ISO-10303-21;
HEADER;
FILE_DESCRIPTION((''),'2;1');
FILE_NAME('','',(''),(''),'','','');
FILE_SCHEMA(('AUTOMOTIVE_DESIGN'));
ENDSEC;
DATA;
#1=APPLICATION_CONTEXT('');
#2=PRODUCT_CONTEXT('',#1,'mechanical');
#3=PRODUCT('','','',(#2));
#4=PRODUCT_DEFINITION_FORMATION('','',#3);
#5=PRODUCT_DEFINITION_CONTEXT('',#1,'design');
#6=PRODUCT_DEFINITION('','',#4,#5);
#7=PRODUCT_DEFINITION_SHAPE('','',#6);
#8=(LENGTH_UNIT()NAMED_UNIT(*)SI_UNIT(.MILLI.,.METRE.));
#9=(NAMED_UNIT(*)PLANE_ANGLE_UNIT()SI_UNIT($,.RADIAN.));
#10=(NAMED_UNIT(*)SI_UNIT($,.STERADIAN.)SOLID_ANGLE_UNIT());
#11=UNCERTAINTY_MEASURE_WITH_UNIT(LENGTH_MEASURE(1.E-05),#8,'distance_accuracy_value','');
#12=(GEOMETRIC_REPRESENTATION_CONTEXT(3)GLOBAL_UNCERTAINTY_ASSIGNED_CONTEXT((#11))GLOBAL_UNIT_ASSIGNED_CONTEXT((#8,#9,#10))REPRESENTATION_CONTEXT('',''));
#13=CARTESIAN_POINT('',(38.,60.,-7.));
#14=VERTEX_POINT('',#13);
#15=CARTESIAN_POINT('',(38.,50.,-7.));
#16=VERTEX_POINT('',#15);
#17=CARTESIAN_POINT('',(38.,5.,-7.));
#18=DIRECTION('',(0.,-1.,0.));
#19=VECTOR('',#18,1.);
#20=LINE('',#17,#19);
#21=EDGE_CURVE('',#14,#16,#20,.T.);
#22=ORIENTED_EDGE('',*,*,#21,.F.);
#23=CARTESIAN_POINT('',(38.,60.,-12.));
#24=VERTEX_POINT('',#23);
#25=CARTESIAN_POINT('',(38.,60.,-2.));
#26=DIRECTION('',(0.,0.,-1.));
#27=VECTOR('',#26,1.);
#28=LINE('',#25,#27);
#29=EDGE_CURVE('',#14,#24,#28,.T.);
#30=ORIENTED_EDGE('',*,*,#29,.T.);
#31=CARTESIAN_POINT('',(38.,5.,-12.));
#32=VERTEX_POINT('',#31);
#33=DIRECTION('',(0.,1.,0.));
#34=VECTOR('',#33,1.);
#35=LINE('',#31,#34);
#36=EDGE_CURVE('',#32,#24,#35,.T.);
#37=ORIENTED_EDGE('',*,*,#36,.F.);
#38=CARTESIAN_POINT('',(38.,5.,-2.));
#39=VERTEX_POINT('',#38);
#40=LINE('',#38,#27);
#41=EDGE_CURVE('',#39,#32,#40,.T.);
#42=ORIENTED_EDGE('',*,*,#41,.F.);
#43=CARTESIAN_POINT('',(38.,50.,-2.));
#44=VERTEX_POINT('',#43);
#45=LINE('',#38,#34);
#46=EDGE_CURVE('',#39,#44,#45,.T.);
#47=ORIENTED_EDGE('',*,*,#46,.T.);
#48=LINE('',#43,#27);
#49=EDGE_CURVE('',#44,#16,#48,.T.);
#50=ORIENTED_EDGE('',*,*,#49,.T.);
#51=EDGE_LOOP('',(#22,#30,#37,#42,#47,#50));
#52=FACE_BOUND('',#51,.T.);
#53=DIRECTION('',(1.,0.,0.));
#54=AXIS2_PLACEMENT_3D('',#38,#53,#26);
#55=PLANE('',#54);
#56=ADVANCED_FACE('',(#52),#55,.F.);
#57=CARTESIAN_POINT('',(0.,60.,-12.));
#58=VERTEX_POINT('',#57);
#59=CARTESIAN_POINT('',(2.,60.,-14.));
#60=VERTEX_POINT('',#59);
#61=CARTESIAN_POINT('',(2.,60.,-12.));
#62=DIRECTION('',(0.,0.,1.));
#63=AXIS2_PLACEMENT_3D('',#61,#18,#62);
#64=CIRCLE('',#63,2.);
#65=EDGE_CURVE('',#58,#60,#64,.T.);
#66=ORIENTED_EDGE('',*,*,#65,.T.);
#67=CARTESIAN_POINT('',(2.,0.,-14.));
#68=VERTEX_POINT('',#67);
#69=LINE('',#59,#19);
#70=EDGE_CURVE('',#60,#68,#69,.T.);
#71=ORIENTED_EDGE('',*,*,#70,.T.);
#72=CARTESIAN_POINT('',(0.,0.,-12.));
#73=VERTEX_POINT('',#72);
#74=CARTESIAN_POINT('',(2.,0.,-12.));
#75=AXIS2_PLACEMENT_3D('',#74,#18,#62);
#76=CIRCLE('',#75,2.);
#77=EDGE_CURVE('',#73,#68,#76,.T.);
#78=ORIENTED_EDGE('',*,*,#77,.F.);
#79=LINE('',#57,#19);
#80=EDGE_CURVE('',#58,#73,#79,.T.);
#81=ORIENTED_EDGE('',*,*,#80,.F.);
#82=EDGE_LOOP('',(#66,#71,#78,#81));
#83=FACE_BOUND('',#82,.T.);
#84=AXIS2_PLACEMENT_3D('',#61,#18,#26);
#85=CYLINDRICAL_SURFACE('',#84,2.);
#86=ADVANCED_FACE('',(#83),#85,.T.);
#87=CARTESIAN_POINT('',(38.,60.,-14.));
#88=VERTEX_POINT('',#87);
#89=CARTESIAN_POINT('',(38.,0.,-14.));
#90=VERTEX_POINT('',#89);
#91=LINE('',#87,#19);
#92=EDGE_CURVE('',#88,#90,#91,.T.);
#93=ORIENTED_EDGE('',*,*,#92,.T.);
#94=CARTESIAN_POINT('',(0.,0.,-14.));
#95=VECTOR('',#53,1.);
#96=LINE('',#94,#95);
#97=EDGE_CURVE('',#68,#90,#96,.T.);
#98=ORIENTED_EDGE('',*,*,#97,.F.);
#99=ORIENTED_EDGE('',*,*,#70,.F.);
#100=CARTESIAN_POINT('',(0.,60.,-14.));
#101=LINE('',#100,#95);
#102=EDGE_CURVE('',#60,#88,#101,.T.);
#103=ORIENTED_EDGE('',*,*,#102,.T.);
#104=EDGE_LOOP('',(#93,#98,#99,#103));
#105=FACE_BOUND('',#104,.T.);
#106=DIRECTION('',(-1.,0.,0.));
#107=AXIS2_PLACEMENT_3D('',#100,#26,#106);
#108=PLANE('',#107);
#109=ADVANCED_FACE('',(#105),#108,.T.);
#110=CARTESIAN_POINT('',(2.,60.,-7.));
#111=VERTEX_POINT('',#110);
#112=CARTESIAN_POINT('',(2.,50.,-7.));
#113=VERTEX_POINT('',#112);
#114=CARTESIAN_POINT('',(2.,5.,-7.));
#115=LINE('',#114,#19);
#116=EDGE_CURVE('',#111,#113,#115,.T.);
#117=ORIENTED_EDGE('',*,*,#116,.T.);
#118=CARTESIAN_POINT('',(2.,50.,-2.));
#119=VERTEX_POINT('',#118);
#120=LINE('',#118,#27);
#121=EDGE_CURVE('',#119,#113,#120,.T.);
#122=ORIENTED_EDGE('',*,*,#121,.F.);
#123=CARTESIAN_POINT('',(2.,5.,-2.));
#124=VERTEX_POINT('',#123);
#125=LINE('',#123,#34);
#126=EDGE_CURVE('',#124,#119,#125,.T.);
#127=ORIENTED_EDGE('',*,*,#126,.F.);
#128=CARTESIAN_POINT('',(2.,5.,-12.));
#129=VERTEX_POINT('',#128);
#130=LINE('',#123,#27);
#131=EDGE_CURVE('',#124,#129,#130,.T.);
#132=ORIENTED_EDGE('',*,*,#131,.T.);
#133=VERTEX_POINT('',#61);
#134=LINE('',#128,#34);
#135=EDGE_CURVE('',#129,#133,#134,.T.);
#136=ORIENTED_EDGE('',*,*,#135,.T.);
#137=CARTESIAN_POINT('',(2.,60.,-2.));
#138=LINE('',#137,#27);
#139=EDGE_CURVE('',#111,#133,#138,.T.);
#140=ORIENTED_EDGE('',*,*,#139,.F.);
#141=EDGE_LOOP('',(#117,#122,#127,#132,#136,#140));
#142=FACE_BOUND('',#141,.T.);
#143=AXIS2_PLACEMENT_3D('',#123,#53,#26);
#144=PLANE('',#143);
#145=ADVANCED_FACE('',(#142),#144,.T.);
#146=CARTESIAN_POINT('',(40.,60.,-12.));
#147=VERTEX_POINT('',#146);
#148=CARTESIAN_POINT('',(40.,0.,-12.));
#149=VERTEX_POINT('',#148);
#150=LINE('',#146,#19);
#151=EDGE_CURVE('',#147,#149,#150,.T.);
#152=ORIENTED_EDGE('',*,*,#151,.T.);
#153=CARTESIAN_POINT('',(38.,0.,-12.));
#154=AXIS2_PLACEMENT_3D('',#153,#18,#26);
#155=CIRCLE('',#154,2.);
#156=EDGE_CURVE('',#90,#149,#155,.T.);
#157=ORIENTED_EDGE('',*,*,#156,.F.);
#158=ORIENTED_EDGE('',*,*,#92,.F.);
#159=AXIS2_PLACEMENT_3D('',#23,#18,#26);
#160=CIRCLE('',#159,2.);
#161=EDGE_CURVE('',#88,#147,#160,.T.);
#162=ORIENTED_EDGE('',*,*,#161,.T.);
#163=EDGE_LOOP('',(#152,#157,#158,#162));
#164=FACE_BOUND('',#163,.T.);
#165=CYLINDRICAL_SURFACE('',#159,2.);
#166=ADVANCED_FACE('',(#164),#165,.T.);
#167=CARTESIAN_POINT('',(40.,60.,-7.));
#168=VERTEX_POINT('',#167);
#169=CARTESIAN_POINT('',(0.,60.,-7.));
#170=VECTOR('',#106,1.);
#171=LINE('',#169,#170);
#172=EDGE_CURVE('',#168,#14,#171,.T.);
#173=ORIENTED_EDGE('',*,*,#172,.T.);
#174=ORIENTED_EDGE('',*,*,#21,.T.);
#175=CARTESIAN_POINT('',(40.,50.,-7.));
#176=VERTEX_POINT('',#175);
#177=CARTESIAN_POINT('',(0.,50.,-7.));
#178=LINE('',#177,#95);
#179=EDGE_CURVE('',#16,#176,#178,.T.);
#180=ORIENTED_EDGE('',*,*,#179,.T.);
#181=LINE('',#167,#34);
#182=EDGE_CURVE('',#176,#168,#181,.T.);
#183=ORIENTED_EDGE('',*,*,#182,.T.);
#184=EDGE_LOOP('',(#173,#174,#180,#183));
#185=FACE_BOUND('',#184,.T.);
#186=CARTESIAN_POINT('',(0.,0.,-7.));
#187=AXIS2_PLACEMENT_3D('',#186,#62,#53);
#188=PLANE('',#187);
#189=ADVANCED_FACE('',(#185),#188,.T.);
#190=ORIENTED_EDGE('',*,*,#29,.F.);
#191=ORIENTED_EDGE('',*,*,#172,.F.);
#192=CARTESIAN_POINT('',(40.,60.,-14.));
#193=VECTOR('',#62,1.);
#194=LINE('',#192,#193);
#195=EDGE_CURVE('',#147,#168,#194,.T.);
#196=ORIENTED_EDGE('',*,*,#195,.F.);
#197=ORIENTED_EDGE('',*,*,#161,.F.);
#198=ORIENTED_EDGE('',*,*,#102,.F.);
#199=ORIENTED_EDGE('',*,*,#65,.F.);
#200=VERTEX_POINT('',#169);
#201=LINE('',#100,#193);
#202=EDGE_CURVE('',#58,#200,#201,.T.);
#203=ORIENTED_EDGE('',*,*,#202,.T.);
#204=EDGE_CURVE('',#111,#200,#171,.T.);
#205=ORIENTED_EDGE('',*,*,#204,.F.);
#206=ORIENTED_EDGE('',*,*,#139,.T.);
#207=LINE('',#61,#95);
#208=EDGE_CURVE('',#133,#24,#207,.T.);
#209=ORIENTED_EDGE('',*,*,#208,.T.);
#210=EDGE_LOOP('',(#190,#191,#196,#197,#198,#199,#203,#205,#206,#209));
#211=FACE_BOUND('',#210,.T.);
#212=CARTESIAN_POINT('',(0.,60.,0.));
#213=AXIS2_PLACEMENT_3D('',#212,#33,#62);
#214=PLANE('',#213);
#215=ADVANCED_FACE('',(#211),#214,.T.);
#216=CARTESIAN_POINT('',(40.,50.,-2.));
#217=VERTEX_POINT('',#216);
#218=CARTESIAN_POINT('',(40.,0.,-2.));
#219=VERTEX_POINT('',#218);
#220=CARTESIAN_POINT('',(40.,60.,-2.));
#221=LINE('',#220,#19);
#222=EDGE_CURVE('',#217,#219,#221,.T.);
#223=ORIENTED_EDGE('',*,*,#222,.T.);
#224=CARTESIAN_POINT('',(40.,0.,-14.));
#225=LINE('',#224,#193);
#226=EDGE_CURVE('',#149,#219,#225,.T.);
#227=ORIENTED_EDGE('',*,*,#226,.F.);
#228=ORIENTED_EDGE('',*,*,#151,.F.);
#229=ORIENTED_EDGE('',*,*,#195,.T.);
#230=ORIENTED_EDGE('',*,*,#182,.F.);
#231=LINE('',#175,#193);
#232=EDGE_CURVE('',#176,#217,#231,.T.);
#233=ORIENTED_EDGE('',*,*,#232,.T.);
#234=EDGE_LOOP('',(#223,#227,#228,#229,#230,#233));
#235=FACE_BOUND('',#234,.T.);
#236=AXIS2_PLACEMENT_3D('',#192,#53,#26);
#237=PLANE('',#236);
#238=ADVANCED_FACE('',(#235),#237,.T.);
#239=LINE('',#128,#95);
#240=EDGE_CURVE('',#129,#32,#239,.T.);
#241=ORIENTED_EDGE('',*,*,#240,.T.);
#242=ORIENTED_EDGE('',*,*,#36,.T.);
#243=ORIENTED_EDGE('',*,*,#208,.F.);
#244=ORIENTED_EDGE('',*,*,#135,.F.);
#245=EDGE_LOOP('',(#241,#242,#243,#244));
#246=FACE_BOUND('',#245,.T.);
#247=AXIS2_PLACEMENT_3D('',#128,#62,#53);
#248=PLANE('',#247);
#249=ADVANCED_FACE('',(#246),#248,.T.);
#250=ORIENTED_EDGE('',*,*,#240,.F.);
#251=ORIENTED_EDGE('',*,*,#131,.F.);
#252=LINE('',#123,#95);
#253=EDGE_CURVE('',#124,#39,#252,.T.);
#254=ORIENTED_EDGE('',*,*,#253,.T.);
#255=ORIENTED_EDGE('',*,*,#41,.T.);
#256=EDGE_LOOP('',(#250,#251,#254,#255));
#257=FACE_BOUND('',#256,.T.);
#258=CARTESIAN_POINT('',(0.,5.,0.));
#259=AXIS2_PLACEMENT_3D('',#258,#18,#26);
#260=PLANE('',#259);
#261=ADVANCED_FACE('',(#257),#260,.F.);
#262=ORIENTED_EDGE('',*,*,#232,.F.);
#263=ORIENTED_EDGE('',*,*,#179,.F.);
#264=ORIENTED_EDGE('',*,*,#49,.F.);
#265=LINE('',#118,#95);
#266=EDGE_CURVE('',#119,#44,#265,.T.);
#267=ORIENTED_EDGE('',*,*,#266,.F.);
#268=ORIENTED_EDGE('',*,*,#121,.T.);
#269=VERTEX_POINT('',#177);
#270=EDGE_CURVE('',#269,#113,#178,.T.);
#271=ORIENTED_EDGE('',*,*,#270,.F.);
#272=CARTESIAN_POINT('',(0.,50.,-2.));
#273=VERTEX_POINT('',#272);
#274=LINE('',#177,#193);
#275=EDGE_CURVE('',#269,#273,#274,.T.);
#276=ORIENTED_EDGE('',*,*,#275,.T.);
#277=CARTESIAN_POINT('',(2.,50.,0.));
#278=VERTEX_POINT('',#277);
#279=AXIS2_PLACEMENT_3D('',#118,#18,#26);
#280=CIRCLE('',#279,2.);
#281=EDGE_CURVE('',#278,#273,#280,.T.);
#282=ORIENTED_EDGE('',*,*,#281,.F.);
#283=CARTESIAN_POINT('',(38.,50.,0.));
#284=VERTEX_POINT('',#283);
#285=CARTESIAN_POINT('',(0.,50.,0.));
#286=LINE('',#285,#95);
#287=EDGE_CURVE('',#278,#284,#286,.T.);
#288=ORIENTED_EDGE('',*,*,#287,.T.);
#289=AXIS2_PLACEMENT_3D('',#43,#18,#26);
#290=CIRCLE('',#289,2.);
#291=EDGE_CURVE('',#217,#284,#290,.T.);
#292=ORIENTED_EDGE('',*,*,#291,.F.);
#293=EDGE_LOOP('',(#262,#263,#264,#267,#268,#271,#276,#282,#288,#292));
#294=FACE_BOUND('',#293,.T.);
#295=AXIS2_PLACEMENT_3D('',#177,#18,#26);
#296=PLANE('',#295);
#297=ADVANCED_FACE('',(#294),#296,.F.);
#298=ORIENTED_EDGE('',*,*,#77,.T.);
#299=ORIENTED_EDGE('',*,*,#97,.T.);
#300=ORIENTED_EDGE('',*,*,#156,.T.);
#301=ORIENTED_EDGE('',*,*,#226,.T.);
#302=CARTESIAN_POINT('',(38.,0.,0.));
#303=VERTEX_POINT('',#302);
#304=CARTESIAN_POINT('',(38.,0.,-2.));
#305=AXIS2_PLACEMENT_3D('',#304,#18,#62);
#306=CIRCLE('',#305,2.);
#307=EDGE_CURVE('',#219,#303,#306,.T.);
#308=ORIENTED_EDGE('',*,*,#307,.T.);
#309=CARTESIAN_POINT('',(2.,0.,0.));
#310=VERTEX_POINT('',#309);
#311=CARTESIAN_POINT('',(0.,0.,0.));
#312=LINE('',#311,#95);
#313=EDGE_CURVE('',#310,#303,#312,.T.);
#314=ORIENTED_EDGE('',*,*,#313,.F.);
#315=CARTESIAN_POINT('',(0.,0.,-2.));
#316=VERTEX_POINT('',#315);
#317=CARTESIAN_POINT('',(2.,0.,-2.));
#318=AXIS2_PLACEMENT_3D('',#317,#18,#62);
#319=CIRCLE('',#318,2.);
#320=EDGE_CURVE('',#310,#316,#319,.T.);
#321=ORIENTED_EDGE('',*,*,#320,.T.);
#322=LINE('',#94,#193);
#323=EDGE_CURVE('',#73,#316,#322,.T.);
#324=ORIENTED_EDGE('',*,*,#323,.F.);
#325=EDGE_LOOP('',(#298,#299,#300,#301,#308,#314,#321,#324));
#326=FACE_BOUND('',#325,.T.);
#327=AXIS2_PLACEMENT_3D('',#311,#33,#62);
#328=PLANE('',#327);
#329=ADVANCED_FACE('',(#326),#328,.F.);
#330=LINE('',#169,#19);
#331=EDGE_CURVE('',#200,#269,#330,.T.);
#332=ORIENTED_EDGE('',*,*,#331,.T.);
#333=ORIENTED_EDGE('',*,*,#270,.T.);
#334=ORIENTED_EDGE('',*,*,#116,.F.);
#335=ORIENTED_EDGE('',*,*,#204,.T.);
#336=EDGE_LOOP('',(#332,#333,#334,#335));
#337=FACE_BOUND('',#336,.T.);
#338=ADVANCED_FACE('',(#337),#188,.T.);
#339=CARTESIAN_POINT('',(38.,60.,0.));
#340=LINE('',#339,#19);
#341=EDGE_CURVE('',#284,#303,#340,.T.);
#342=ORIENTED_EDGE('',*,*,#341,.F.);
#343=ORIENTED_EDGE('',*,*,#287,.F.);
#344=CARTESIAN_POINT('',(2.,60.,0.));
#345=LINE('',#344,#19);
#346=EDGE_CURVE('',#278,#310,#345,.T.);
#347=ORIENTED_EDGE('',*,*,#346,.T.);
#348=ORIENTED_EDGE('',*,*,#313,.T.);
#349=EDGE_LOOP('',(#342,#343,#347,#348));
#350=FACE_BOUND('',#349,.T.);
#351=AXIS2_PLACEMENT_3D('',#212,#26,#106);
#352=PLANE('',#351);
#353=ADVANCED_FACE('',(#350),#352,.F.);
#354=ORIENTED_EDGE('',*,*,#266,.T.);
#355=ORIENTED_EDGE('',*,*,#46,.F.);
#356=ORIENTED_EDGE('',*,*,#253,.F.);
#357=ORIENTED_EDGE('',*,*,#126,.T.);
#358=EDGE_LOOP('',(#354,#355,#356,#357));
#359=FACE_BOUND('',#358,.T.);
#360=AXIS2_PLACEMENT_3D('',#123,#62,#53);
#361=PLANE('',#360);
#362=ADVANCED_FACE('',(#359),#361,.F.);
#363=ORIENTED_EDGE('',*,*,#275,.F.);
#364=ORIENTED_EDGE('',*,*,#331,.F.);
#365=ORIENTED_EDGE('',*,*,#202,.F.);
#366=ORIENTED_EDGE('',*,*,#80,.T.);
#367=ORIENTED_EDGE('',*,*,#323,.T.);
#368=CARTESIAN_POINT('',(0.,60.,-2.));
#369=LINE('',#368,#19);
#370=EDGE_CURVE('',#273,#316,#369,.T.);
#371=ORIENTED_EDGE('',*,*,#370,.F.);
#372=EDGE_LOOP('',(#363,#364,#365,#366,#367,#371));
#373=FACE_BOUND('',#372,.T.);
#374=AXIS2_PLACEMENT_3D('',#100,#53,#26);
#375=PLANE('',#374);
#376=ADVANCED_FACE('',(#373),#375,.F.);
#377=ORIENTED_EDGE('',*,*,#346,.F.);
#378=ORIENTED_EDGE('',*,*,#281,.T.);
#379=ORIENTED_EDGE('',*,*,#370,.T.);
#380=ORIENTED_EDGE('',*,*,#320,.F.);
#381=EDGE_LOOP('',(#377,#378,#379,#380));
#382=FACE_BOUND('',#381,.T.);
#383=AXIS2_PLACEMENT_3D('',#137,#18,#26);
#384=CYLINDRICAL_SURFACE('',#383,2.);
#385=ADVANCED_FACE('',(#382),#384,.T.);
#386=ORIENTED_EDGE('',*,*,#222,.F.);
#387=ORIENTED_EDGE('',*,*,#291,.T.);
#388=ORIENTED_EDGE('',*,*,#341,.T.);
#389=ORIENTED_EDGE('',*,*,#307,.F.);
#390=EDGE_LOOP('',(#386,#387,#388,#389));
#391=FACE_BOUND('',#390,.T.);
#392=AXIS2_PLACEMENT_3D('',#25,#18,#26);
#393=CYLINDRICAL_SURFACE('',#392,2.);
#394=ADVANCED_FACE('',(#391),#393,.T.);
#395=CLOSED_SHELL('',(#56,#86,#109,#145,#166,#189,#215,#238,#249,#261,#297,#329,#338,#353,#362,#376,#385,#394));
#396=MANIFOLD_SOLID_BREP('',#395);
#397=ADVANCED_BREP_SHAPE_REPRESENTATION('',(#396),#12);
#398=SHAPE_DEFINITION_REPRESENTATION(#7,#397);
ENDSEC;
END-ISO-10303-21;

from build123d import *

# Parameters (mm, degrees)
SKETCH_1_W          = 40
SKETCH_1_H          = 14
EXTRUDE_1_DEPTH     = 60
SKETCH_6_W          = 36
SKETCH_6_H          = 10
CUT_EXTRUDE_2_DEPTH = 55
SKETCH_7_W          = 40
SKETCH_7_H          = 10
CUT_EXTRUDE_3_DEPTH = 7
SKETCH_15_OUTSIDE_W = 56.692
SKETCH_15_OUTSIDE_H = 30.692
CUT_EXTRUDE_5_DEPTH = 61


with BuildPart() as part:
    # 草图1 → 凸台-拉伸1 (new body)
    with BuildSketch(Plane(origin=(0, 0, 0), x_dir=(1, 0, 0), z_dir=(0, 1, 0))):
        with Locations((20, 7)):
            Rectangle(SKETCH_1_W, SKETCH_1_H)
    extrude(amount=EXTRUDE_1_DEPTH)

    # 草图6 → 切除-拉伸2 (cut)
    with BuildSketch(Plane(origin=(0, 60, 0), x_dir=(1, 0, 0), z_dir=(0, 1, 0))):
        with Locations((20, 7)):
            Rectangle(SKETCH_6_W, SKETCH_6_H)
    extrude(amount=-CUT_EXTRUDE_2_DEPTH, mode=Mode.SUBTRACT)

    # 草图7 → 切除-拉伸3 (cut)
    with BuildSketch(Plane.XY):
        with Locations((20, 55)):
            Rectangle(SKETCH_7_W, SKETCH_7_H)
    extrude(amount=-CUT_EXTRUDE_3_DEPTH, mode=Mode.SUBTRACT)

    # 草图15 outside → 切除-拉伸5 (cut, through all)
    with BuildSketch(Plane.XZ):
        with Locations((20, -7)):
            Rectangle(SKETCH_15_OUTSIDE_W, SKETCH_15_OUTSIDE_H)
        with BuildLine():
            Line((2, -14), (38, -14))
            ThreePointArc((38, -14), (39.414213562, -13.414213562), (40, -12))
            Line((40, -12), (40, -2))
            ThreePointArc((40, -2), (39.414213562, -0.585786438), (38, 0))
            Line((38, 0), (2, 0))
            ThreePointArc((2, 0), (0.585786438, -0.585786438), (0, -2))
            Line((0, -2), (0, -12))
            ThreePointArc((0, -12), (0.585786438, -13.414213562), (2, -14))
        make_face(mode=Mode.SUBTRACT)
    extrude(amount=-CUT_EXTRUDE_5_DEPTH, mode=Mode.SUBTRACT)


solid = part.part
